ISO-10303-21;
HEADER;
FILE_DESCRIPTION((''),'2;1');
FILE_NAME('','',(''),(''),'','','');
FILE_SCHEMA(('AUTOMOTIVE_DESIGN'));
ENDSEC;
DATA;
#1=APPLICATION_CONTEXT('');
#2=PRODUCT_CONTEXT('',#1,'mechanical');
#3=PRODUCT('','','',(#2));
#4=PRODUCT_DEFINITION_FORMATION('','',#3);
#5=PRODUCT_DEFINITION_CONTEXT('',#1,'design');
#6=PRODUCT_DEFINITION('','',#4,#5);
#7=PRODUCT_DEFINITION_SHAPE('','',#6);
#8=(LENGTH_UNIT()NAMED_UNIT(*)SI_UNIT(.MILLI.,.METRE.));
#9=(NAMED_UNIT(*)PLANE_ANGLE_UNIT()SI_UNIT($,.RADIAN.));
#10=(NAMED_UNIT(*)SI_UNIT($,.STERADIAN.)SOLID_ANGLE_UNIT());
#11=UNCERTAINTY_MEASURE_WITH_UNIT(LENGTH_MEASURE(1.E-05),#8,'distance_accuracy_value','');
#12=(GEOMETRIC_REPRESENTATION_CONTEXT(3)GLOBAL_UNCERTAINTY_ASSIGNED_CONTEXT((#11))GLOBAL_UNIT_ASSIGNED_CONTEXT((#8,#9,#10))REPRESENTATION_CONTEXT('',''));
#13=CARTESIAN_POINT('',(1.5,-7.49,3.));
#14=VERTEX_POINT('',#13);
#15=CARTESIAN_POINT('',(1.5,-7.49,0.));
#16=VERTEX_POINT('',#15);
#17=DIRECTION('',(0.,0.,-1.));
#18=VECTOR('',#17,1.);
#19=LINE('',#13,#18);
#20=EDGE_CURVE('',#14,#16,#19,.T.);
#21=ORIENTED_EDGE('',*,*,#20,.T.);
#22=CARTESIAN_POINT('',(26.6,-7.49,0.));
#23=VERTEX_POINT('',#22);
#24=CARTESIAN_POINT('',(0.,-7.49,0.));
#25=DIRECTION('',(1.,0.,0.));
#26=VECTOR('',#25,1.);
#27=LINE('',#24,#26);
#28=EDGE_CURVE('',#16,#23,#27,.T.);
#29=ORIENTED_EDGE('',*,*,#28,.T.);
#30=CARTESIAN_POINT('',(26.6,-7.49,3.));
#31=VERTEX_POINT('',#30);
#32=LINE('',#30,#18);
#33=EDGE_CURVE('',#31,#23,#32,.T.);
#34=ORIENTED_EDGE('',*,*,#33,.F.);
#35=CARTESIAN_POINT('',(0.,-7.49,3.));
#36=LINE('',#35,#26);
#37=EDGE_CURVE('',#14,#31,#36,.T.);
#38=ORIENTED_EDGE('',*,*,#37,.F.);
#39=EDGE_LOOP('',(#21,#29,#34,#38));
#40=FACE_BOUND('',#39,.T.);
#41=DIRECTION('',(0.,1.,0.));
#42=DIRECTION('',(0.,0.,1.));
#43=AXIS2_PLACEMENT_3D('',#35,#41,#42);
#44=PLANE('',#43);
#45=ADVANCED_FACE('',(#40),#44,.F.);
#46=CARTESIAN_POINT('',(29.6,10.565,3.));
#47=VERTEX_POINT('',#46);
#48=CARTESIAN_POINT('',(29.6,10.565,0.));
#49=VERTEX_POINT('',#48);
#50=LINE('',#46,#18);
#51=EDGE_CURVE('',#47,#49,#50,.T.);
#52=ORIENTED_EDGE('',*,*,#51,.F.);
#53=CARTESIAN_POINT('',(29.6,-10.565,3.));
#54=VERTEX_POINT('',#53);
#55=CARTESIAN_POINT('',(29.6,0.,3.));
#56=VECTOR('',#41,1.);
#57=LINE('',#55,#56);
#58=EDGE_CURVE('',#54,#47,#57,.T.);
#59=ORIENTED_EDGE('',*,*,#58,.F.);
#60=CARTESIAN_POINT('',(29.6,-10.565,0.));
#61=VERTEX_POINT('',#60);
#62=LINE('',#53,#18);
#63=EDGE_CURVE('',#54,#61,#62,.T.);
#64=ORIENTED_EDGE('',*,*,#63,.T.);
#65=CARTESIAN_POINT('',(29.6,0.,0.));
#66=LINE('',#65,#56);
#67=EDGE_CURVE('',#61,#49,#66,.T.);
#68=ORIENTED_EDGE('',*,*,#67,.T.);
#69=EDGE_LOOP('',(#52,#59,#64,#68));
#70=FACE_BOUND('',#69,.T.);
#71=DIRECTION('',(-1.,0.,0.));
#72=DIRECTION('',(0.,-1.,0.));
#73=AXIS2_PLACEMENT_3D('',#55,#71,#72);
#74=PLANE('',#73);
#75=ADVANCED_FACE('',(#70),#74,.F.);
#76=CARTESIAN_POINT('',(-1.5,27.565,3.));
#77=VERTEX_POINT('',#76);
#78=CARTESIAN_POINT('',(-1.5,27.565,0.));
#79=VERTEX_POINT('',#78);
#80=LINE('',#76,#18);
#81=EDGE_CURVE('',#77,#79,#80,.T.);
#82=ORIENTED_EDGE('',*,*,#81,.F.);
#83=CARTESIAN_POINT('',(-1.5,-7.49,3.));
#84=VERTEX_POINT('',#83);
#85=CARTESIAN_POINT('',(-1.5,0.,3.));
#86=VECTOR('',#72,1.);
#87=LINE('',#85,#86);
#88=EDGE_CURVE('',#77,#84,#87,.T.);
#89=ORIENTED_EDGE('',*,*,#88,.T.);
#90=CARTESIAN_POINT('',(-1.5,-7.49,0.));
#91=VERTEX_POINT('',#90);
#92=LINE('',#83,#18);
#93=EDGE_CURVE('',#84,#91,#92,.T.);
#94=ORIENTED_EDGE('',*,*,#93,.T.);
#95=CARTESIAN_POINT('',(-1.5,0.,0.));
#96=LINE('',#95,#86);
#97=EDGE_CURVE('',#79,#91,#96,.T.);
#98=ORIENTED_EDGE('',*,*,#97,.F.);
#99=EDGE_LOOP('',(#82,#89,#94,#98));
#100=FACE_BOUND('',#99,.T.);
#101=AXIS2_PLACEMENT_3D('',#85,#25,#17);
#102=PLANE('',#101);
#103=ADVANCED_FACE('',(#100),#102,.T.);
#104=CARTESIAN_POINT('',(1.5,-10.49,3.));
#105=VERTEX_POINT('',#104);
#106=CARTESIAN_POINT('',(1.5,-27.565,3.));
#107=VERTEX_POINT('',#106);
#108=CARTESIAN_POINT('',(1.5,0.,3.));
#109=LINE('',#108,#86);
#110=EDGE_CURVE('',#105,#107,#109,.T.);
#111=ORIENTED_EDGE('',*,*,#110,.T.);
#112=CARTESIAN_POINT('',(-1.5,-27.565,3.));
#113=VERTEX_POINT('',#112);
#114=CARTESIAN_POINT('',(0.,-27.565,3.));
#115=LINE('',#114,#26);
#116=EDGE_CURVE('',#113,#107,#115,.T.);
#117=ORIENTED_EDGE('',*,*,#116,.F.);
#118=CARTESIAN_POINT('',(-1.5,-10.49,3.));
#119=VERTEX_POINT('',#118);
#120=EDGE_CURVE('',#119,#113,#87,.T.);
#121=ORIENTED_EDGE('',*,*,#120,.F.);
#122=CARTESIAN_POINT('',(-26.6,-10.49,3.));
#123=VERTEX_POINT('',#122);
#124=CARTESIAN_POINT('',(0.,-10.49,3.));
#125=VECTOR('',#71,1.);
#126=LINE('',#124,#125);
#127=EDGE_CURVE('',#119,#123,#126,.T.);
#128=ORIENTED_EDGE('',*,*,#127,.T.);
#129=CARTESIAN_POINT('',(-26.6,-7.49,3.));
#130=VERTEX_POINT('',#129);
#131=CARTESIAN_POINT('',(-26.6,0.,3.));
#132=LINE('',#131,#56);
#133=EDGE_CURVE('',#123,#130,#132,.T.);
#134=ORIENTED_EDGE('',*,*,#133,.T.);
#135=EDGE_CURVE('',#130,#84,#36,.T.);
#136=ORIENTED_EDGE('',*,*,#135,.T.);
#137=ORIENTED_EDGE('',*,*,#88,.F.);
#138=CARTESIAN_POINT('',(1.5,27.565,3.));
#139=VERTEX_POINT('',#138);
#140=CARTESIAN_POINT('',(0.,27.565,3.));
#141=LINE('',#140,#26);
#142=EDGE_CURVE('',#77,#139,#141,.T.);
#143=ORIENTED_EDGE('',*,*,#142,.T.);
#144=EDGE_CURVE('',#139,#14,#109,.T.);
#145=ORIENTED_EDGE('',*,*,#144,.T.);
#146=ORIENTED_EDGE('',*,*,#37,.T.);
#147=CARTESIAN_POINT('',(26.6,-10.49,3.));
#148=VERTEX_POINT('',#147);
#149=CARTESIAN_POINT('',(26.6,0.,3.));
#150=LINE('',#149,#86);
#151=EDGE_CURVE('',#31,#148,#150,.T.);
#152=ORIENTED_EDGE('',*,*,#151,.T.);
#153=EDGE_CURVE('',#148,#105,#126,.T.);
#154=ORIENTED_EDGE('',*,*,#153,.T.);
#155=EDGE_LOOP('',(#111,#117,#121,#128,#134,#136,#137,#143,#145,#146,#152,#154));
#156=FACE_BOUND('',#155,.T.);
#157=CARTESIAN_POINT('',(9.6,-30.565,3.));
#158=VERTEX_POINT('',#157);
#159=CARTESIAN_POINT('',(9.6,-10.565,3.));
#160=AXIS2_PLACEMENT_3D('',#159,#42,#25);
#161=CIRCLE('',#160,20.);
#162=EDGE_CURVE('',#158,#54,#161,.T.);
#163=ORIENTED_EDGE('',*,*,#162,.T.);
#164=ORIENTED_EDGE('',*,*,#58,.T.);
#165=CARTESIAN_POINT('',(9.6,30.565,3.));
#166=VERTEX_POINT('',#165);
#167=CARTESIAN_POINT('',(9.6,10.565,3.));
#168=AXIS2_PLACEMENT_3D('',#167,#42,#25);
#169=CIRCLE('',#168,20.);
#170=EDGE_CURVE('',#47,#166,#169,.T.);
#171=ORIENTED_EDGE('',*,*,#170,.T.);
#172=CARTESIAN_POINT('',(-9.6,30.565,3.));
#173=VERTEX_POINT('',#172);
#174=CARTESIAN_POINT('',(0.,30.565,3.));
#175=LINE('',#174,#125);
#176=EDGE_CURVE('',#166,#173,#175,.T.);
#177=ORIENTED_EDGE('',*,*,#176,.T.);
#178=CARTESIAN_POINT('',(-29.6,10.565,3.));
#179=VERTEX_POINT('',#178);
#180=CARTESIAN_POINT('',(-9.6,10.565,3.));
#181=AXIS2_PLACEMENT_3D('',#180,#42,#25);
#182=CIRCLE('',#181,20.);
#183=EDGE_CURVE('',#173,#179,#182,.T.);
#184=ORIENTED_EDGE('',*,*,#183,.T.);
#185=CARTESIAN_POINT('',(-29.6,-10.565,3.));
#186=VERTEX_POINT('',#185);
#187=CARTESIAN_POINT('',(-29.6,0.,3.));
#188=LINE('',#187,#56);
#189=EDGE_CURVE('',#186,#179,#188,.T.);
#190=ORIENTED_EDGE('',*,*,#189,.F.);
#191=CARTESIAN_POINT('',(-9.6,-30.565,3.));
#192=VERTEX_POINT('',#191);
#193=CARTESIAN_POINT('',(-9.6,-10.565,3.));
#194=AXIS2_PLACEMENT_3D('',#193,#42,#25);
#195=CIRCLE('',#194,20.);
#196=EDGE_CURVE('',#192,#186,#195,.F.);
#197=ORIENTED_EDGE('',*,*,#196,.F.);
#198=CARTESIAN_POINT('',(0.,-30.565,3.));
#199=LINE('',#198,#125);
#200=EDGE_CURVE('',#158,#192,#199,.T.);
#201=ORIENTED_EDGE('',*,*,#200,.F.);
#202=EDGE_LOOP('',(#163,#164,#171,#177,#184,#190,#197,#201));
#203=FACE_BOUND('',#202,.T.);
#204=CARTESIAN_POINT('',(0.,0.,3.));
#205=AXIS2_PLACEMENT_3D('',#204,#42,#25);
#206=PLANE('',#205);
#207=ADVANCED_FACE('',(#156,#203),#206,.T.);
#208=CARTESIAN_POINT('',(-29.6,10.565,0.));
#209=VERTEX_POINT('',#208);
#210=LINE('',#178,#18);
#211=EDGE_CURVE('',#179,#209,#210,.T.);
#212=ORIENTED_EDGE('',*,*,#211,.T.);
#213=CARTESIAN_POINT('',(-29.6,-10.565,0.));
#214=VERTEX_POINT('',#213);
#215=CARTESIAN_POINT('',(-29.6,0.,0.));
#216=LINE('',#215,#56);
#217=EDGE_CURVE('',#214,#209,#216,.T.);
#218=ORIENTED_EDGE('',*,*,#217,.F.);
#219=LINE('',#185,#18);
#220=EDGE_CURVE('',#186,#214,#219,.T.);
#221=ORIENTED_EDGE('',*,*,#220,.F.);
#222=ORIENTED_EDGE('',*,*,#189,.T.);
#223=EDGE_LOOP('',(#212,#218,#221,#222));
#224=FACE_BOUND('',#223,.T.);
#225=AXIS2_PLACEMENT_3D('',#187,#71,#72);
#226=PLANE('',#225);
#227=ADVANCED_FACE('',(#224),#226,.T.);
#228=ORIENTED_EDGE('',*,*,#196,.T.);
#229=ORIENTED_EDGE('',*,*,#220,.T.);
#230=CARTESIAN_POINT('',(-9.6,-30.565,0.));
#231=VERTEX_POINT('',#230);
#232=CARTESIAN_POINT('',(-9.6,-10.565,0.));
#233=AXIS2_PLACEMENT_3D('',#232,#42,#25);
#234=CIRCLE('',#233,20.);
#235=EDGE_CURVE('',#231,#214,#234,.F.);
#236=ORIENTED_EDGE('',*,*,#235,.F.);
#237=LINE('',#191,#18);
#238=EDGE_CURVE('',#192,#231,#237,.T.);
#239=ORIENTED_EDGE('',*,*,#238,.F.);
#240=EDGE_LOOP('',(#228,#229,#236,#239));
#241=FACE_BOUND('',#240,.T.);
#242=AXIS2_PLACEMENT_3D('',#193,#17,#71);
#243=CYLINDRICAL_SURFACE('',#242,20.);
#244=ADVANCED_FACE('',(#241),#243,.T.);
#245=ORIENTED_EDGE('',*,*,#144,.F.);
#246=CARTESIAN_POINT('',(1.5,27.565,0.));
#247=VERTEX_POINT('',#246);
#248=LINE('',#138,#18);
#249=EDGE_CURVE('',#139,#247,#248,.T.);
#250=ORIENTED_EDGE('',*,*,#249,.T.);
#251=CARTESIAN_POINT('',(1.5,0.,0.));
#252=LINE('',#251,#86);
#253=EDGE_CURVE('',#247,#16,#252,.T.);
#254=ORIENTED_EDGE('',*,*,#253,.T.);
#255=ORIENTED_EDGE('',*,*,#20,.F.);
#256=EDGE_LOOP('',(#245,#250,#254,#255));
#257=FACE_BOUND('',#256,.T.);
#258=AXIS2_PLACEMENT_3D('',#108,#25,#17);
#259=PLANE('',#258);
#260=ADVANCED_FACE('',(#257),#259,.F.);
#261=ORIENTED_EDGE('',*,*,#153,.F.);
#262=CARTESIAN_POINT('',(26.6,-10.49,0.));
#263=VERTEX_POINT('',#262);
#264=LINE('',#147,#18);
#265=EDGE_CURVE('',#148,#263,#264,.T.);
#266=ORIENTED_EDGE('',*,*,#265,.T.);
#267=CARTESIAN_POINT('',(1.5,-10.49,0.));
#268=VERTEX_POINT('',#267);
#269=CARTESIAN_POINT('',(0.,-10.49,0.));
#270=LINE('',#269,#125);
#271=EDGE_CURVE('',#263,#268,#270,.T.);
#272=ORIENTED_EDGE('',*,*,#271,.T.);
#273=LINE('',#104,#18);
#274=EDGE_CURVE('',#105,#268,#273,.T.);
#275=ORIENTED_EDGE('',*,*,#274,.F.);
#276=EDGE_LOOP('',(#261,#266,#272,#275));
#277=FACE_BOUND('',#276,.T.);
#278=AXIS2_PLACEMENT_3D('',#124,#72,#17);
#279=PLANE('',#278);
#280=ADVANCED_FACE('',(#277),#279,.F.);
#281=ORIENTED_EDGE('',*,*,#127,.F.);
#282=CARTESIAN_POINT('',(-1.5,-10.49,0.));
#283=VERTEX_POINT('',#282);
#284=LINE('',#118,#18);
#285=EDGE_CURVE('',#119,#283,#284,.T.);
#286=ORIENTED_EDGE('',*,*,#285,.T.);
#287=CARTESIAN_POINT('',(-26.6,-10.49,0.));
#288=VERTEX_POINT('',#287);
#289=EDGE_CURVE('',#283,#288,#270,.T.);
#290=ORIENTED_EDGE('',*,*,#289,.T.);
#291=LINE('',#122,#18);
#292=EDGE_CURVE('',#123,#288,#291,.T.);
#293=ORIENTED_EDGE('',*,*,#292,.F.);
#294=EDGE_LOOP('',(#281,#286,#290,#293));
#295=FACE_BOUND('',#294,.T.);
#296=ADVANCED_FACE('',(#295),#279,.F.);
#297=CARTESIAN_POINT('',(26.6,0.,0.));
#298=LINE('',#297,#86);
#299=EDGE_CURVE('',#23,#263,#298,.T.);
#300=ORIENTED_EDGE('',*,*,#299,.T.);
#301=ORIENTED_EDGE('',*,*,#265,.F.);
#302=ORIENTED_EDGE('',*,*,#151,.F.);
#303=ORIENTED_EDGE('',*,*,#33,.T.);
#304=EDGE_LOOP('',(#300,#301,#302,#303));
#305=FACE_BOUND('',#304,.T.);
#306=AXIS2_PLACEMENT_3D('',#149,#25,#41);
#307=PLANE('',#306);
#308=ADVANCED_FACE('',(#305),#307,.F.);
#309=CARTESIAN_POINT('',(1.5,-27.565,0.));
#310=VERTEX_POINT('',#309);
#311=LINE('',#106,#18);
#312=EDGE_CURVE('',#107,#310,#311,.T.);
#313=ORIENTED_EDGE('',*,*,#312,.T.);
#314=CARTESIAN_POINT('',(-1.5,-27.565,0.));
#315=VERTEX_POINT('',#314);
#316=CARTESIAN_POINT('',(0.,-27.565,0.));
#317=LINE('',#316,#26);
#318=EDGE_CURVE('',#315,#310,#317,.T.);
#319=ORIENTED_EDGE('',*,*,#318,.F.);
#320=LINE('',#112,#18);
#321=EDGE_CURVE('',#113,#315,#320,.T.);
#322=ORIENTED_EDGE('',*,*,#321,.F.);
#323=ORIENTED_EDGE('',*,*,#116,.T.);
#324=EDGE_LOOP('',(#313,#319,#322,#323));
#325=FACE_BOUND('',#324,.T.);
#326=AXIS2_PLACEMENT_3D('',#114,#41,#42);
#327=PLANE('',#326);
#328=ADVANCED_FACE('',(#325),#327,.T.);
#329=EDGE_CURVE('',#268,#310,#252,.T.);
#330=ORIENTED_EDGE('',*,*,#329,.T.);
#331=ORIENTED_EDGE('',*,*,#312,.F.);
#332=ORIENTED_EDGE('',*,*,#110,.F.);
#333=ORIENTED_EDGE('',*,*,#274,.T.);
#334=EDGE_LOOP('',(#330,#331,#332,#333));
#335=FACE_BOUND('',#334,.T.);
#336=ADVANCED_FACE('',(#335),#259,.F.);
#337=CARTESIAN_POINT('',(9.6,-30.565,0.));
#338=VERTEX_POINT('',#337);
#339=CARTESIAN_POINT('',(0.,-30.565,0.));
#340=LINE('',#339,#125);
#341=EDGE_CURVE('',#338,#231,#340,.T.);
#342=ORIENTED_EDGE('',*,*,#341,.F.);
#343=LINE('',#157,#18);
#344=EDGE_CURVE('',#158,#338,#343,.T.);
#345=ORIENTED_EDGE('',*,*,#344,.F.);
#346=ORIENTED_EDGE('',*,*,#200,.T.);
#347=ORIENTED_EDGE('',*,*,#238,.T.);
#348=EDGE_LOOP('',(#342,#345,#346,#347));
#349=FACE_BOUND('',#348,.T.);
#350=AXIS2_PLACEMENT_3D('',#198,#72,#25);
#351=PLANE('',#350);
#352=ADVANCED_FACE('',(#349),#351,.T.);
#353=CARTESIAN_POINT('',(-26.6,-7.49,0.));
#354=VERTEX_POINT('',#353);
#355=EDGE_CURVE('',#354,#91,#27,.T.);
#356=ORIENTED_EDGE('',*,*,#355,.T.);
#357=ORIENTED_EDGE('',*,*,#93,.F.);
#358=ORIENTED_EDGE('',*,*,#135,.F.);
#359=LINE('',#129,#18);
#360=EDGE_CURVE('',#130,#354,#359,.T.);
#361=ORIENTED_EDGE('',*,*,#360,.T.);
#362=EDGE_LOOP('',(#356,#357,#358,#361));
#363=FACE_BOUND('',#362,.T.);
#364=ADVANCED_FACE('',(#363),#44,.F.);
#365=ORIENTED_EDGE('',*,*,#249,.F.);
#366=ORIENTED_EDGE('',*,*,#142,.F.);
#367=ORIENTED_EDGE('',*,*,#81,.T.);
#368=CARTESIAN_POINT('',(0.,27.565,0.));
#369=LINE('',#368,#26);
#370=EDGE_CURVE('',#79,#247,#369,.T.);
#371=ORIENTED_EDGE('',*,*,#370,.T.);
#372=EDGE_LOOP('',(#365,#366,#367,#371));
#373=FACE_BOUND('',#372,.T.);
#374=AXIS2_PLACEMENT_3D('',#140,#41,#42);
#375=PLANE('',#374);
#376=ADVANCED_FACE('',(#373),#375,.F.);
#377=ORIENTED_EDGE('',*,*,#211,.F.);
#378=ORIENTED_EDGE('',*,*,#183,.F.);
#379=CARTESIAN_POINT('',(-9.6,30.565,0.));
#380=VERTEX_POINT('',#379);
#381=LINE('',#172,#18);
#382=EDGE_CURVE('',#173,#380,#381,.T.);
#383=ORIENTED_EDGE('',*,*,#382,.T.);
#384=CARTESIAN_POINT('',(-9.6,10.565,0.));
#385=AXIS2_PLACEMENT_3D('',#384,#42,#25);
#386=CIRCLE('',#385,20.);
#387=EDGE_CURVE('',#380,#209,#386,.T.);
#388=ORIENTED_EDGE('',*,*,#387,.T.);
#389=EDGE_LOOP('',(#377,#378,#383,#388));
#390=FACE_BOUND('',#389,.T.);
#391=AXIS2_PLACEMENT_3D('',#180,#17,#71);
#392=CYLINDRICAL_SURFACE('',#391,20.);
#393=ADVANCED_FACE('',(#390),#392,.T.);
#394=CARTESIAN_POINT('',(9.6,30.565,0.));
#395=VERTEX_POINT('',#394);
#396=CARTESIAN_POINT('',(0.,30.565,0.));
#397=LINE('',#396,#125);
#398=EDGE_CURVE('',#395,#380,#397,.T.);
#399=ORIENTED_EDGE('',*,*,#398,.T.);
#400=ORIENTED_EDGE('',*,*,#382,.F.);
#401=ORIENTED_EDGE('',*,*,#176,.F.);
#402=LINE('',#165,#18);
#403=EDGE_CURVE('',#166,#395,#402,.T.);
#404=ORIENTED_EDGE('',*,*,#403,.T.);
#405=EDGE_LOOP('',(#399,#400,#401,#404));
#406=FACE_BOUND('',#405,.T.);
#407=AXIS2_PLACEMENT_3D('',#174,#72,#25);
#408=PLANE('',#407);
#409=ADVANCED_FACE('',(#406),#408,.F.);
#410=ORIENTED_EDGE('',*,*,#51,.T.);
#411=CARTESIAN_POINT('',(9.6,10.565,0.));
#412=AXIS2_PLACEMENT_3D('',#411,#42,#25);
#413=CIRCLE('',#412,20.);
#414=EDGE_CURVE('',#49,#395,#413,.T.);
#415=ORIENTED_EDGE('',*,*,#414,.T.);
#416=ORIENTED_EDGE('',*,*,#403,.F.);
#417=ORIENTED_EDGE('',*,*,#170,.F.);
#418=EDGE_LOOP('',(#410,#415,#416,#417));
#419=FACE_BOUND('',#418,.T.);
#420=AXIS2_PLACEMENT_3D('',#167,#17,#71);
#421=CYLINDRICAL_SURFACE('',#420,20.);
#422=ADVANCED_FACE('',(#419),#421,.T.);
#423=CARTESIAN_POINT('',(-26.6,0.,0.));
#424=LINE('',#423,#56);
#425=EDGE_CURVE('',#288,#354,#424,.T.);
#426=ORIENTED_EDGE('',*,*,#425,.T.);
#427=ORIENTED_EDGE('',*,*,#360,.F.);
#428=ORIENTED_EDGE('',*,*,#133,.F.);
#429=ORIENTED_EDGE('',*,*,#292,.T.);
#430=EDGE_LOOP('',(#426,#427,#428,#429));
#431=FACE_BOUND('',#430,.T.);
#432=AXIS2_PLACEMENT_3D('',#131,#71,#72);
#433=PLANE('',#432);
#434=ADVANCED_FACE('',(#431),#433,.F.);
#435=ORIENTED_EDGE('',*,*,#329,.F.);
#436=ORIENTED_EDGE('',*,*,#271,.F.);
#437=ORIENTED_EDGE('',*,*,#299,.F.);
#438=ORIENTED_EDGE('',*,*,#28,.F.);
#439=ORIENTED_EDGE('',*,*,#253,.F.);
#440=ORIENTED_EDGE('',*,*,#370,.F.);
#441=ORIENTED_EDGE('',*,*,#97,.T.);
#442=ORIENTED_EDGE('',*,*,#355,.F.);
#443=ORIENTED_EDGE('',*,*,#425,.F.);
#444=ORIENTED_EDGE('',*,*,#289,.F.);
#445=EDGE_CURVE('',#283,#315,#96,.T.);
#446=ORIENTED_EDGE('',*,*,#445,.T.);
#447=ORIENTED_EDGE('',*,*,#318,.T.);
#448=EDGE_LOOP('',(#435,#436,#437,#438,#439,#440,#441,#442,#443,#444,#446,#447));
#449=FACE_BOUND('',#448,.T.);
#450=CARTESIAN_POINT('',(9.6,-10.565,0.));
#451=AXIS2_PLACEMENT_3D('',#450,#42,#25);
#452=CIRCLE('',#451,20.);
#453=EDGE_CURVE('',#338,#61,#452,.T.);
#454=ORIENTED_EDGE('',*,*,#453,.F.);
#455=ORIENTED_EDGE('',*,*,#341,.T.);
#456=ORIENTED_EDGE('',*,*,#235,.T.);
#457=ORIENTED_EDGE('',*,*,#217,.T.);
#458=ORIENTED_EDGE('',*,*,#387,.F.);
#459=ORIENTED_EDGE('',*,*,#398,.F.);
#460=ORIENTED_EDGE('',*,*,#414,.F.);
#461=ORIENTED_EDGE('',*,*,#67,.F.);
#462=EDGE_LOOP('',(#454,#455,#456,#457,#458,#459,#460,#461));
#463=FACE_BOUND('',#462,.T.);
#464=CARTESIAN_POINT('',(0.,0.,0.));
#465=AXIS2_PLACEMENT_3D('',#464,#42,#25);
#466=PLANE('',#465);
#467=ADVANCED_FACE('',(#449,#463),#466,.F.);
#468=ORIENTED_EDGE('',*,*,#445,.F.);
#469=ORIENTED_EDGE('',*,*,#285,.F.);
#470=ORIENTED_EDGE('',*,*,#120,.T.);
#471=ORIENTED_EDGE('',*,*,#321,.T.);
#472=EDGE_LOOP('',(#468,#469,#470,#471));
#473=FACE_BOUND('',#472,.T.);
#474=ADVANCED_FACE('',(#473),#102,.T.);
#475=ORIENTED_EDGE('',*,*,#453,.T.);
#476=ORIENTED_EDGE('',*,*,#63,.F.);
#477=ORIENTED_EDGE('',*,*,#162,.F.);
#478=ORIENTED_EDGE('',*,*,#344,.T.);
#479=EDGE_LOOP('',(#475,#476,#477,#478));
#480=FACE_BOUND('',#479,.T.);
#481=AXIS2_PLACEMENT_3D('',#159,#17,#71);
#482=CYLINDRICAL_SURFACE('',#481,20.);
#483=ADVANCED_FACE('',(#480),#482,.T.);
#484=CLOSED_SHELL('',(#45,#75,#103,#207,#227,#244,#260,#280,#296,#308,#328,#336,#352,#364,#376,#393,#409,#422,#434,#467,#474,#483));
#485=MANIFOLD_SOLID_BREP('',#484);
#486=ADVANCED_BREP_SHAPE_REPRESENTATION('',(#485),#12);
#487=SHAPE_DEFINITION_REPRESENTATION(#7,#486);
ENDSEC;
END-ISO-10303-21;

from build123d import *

# Parameters (mm, degrees)
SALIENTE_EXTRUIR1_DEPTH = 3


with BuildPart() as part:
    # Croquis1 → Saliente-Extruir1 (new body)
    with BuildSketch(Plane.XY):
        with BuildLine():
            Line((-9.6, -30.565), (9.6, -30.565))
            ThreePointArc((9.6, -30.565), (23.742135624, -24.707135624), (29.6, -10.565))
            Line((29.6, -10.565), (29.6, 10.565))
            ThreePointArc((29.6, 10.565), (23.742135624, 24.707135624), (9.6, 30.565))
            Line((9.6, 30.565), (-9.6, 30.565))
            ThreePointArc((-9.6, 30.565), (-23.742135624, 24.707135624), (-29.6, 10.565))
            Line((-29.6, 10.565), (-29.6, -10.565))
            ThreePointArc((-29.6, -10.565), (-23.742135624, -24.707135624), (-9.6, -30.565))
        make_face()
        Polygon((-26.6, -10.49), (-26.6, -7.49), (-1.5, -7.49), (-1.5, 27.565), (1.5, 27.565), (1.5, -7.49), (26.6, -7.49), (26.6, -10.49), (1.5, -10.49), (1.5, -27.565), (-1.5, -27.565), (-1.5, -10.49), align=None, mode=Mode.SUBTRACT)
    extrude(amount=SALIENTE_EXTRUIR1_DEPTH)


solid = part.part
